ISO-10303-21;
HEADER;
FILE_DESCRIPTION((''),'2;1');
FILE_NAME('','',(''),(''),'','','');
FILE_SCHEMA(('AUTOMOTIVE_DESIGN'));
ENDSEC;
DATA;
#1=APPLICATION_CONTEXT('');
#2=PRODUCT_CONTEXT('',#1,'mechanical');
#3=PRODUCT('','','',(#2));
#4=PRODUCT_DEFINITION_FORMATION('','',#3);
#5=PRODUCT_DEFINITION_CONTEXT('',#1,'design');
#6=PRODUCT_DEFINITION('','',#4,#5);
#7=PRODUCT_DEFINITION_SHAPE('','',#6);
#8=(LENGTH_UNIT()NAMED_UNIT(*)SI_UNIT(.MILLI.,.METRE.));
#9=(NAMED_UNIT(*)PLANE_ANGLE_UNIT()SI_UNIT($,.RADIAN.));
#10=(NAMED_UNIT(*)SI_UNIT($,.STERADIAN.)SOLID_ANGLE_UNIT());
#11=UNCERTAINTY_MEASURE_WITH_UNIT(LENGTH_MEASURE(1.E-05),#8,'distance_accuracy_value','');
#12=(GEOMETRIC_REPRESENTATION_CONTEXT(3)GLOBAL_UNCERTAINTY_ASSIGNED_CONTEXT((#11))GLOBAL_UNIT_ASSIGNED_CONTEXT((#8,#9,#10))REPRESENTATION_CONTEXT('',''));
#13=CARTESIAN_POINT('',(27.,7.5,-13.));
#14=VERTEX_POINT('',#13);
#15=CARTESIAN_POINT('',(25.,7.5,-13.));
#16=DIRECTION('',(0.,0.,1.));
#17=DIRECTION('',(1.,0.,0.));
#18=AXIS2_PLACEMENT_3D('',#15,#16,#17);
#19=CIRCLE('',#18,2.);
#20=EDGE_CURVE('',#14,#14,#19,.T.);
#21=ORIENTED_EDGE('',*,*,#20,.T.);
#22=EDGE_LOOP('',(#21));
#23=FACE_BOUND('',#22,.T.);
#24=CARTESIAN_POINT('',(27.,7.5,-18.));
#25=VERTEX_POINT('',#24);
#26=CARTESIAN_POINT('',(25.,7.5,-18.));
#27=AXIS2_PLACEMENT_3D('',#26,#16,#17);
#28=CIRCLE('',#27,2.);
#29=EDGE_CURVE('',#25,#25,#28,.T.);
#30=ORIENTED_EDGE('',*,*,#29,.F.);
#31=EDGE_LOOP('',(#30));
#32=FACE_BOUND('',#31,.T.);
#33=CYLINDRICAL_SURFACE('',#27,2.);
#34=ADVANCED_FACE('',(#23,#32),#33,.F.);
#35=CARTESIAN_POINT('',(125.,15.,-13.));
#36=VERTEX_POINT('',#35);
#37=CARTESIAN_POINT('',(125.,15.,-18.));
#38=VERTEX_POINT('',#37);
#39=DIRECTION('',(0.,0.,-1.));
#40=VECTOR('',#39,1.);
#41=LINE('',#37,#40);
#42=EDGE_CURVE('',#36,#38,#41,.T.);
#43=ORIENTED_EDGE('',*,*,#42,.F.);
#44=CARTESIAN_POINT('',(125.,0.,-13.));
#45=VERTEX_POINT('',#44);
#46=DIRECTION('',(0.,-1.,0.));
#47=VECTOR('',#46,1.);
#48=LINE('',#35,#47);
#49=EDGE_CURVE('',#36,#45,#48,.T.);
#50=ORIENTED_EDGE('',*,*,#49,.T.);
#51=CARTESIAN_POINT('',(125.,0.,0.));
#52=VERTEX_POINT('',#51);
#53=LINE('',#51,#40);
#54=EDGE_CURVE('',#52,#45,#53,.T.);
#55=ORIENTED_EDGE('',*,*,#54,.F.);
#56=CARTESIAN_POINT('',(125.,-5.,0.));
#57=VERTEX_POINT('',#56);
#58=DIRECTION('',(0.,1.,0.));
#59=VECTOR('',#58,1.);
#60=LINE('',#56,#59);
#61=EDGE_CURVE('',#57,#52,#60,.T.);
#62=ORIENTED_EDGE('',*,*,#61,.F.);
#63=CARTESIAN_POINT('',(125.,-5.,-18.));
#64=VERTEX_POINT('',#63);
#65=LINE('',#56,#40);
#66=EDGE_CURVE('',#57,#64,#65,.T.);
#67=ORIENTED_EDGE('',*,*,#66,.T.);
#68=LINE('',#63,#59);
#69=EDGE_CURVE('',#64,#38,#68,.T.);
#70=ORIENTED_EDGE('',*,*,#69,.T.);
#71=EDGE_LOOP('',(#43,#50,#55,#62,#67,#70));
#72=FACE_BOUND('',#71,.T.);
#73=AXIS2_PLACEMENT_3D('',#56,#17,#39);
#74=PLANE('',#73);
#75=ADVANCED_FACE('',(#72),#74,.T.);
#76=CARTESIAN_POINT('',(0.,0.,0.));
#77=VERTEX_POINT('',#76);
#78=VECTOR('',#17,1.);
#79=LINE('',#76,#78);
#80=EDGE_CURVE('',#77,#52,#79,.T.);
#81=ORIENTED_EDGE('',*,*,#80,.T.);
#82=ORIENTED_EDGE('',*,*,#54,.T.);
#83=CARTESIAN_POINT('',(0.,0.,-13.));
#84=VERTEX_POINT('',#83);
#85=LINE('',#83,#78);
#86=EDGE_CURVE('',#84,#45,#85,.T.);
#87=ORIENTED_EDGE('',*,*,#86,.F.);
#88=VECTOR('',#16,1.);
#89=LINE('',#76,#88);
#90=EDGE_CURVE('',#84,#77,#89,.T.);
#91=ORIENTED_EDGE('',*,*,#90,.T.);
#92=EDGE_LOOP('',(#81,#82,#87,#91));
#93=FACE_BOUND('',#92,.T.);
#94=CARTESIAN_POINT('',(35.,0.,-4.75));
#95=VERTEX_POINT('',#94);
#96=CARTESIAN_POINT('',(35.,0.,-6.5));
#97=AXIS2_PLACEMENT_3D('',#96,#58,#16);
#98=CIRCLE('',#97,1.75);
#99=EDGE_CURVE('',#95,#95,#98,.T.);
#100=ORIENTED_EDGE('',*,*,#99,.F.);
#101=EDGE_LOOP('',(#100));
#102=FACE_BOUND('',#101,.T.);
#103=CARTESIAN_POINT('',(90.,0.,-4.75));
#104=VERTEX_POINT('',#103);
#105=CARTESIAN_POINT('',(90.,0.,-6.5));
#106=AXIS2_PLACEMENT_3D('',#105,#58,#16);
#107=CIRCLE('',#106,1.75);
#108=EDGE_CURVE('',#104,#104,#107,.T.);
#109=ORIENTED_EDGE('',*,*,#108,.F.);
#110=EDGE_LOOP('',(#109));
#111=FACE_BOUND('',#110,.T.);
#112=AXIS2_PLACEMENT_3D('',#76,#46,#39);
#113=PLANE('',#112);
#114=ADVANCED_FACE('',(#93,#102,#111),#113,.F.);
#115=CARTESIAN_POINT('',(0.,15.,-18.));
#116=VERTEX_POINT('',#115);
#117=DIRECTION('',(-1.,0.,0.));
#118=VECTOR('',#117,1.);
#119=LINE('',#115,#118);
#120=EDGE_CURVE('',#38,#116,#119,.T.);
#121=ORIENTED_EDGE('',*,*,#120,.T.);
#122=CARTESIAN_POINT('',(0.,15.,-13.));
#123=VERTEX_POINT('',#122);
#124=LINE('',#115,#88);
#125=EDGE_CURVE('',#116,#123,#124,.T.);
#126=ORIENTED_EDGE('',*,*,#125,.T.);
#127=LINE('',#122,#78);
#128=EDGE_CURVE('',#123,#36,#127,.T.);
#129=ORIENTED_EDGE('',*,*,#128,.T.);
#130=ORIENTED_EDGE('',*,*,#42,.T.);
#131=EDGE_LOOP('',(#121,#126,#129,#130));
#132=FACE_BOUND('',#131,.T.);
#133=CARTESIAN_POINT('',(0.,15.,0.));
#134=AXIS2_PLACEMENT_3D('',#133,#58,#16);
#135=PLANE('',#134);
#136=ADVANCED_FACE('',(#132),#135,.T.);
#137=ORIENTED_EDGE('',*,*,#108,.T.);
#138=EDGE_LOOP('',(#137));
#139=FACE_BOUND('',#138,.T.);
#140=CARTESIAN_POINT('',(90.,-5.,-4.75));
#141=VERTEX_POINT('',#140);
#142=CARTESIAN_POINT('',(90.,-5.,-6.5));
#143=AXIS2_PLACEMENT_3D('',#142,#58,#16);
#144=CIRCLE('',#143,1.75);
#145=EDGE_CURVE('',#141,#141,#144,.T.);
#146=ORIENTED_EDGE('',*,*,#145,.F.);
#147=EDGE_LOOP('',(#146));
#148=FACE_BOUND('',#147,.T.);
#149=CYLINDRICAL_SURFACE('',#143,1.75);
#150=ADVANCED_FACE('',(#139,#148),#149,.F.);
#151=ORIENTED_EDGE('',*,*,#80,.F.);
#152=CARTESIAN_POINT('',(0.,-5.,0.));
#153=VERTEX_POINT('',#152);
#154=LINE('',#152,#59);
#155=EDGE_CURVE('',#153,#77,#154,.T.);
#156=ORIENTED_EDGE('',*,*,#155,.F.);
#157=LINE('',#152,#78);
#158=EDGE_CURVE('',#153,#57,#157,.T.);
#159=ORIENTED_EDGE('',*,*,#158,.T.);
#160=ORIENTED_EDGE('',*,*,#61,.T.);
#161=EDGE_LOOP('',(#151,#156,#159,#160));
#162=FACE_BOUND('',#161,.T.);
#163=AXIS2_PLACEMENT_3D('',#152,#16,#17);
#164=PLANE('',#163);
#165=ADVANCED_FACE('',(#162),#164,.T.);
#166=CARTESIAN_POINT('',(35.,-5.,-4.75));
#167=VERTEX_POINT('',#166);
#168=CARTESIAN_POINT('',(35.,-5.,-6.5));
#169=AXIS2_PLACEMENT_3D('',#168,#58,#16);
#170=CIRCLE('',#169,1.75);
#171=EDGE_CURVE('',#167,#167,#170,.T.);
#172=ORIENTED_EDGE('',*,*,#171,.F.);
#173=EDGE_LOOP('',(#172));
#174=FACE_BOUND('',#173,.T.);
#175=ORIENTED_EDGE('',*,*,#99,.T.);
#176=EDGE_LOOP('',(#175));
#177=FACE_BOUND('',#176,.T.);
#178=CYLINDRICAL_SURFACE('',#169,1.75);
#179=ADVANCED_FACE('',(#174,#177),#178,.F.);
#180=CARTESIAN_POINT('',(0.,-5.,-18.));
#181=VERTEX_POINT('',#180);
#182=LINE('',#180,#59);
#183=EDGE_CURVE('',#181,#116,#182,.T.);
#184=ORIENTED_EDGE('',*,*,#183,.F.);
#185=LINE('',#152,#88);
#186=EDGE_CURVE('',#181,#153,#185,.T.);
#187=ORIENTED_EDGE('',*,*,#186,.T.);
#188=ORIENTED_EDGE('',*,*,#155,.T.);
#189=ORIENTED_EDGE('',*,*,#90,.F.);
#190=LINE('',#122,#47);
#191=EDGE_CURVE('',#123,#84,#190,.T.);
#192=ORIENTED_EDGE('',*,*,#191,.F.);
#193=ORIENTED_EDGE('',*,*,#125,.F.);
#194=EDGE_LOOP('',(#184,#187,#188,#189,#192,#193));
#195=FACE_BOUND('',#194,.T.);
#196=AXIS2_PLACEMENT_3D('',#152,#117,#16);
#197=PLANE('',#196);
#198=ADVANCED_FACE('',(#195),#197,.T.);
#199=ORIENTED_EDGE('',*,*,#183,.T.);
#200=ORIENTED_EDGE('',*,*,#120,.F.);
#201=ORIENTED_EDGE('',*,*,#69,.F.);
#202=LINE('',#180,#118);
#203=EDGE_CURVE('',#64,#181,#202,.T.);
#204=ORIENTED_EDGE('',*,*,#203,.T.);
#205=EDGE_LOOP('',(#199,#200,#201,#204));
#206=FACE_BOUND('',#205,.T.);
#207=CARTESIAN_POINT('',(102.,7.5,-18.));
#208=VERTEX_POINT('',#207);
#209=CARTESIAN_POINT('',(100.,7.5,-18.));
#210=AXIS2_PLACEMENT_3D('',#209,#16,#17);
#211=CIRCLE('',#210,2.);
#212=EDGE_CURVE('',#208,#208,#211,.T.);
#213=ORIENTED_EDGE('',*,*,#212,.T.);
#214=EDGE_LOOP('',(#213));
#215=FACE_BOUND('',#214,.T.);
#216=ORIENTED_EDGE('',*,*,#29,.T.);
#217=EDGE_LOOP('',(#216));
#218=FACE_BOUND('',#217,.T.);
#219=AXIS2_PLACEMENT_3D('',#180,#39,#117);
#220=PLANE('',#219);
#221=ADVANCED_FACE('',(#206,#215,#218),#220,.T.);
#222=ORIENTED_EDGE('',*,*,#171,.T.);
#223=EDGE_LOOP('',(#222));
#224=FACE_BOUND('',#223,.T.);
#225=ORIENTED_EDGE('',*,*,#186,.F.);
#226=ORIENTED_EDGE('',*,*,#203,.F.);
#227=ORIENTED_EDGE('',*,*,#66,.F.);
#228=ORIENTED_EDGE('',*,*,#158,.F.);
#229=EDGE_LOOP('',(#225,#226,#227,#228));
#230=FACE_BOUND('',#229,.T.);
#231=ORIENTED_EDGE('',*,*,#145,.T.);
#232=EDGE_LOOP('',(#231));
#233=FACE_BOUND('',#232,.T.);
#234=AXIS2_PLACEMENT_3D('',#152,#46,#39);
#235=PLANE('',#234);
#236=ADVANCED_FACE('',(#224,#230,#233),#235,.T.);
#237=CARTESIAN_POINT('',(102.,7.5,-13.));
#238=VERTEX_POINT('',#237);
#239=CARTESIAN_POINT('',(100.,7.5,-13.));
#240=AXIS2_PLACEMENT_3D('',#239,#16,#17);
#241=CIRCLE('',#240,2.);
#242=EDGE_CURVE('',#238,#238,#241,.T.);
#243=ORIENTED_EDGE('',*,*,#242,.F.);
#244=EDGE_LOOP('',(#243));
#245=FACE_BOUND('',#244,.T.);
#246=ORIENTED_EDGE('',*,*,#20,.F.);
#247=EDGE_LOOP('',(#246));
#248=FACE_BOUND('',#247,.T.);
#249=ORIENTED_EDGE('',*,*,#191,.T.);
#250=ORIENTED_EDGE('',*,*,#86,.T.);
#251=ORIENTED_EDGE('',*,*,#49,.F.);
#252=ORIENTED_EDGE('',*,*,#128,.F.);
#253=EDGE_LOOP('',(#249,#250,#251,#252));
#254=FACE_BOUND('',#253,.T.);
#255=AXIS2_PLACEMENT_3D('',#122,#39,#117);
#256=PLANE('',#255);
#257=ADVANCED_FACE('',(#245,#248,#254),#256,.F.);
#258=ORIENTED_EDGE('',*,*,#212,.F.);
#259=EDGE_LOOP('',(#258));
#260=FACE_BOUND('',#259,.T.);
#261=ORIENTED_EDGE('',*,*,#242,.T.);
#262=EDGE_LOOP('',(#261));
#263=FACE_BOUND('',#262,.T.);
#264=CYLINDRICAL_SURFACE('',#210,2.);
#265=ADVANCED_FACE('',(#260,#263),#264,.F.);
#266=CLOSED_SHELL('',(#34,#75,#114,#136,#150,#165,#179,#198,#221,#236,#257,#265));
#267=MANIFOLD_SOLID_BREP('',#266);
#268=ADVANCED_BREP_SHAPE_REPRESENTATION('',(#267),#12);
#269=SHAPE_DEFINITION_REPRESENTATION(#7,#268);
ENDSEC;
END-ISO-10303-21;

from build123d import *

# Parameters (mm, degrees)
SKETCH1_W           = 125
SKETCH1_H           = 18
BOSS_EXTRUDE1_DEPTH = 5
SKETCH3_W           = 125
SKETCH3_H           = 5
BOSS_EXTRUDE2_DEPTH = 15
SKETCH5_R           = 2
CUT_EXTRUDE1_DEPTH  = 6
SKETCH6_R           = 1.75
CUT_EXTRUDE2_DEPTH  = 6


with BuildPart() as part:
    # Sketch1 → Boss-Extrude1 (new body)
    with BuildSketch(Plane(origin=(0, 0, 0), x_dir=(1, 0, 0), z_dir=(0, 1, 0))):
        with Locations((62.5, 9)):
            Rectangle(SKETCH1_W, SKETCH1_H)
    extrude(amount=-BOSS_EXTRUDE1_DEPTH)

    # Sketch3 → Boss-Extrude2 (add)
    with BuildSketch(Plane(origin=(0, 0, 0), x_dir=(1, 0, 0), z_dir=(0, 1, 0))):
        with Locations((62.5, 15.5)):
            Rectangle(SKETCH3_W, SKETCH3_H)
    extrude(amount=BOSS_EXTRUDE2_DEPTH)

    # Sketch5 → Cut-Extrude1 (cut, through all)
    with BuildSketch(Plane.XY.offset(-13)):
        with Locations((25, 7.5)):
            Circle(SKETCH5_R)
        with Locations((100, 7.5)):
            Circle(SKETCH5_R)
    extrude(amount=-CUT_EXTRUDE1_DEPTH, mode=Mode.SUBTRACT)

    # Sketch6 → Cut-Extrude2 (cut, through all)
    with BuildSketch(Plane(origin=(0, 0, 0), x_dir=(1, 0, 0), z_dir=(0, 1, 0))):
        with Locations((35, 6.5)):
            Circle(SKETCH6_R)
        with Locations((90, 6.5)):
            Circle(SKETCH6_R)
    extrude(amount=-CUT_EXTRUDE2_DEPTH, mode=Mode.SUBTRACT)


solid = part.part
